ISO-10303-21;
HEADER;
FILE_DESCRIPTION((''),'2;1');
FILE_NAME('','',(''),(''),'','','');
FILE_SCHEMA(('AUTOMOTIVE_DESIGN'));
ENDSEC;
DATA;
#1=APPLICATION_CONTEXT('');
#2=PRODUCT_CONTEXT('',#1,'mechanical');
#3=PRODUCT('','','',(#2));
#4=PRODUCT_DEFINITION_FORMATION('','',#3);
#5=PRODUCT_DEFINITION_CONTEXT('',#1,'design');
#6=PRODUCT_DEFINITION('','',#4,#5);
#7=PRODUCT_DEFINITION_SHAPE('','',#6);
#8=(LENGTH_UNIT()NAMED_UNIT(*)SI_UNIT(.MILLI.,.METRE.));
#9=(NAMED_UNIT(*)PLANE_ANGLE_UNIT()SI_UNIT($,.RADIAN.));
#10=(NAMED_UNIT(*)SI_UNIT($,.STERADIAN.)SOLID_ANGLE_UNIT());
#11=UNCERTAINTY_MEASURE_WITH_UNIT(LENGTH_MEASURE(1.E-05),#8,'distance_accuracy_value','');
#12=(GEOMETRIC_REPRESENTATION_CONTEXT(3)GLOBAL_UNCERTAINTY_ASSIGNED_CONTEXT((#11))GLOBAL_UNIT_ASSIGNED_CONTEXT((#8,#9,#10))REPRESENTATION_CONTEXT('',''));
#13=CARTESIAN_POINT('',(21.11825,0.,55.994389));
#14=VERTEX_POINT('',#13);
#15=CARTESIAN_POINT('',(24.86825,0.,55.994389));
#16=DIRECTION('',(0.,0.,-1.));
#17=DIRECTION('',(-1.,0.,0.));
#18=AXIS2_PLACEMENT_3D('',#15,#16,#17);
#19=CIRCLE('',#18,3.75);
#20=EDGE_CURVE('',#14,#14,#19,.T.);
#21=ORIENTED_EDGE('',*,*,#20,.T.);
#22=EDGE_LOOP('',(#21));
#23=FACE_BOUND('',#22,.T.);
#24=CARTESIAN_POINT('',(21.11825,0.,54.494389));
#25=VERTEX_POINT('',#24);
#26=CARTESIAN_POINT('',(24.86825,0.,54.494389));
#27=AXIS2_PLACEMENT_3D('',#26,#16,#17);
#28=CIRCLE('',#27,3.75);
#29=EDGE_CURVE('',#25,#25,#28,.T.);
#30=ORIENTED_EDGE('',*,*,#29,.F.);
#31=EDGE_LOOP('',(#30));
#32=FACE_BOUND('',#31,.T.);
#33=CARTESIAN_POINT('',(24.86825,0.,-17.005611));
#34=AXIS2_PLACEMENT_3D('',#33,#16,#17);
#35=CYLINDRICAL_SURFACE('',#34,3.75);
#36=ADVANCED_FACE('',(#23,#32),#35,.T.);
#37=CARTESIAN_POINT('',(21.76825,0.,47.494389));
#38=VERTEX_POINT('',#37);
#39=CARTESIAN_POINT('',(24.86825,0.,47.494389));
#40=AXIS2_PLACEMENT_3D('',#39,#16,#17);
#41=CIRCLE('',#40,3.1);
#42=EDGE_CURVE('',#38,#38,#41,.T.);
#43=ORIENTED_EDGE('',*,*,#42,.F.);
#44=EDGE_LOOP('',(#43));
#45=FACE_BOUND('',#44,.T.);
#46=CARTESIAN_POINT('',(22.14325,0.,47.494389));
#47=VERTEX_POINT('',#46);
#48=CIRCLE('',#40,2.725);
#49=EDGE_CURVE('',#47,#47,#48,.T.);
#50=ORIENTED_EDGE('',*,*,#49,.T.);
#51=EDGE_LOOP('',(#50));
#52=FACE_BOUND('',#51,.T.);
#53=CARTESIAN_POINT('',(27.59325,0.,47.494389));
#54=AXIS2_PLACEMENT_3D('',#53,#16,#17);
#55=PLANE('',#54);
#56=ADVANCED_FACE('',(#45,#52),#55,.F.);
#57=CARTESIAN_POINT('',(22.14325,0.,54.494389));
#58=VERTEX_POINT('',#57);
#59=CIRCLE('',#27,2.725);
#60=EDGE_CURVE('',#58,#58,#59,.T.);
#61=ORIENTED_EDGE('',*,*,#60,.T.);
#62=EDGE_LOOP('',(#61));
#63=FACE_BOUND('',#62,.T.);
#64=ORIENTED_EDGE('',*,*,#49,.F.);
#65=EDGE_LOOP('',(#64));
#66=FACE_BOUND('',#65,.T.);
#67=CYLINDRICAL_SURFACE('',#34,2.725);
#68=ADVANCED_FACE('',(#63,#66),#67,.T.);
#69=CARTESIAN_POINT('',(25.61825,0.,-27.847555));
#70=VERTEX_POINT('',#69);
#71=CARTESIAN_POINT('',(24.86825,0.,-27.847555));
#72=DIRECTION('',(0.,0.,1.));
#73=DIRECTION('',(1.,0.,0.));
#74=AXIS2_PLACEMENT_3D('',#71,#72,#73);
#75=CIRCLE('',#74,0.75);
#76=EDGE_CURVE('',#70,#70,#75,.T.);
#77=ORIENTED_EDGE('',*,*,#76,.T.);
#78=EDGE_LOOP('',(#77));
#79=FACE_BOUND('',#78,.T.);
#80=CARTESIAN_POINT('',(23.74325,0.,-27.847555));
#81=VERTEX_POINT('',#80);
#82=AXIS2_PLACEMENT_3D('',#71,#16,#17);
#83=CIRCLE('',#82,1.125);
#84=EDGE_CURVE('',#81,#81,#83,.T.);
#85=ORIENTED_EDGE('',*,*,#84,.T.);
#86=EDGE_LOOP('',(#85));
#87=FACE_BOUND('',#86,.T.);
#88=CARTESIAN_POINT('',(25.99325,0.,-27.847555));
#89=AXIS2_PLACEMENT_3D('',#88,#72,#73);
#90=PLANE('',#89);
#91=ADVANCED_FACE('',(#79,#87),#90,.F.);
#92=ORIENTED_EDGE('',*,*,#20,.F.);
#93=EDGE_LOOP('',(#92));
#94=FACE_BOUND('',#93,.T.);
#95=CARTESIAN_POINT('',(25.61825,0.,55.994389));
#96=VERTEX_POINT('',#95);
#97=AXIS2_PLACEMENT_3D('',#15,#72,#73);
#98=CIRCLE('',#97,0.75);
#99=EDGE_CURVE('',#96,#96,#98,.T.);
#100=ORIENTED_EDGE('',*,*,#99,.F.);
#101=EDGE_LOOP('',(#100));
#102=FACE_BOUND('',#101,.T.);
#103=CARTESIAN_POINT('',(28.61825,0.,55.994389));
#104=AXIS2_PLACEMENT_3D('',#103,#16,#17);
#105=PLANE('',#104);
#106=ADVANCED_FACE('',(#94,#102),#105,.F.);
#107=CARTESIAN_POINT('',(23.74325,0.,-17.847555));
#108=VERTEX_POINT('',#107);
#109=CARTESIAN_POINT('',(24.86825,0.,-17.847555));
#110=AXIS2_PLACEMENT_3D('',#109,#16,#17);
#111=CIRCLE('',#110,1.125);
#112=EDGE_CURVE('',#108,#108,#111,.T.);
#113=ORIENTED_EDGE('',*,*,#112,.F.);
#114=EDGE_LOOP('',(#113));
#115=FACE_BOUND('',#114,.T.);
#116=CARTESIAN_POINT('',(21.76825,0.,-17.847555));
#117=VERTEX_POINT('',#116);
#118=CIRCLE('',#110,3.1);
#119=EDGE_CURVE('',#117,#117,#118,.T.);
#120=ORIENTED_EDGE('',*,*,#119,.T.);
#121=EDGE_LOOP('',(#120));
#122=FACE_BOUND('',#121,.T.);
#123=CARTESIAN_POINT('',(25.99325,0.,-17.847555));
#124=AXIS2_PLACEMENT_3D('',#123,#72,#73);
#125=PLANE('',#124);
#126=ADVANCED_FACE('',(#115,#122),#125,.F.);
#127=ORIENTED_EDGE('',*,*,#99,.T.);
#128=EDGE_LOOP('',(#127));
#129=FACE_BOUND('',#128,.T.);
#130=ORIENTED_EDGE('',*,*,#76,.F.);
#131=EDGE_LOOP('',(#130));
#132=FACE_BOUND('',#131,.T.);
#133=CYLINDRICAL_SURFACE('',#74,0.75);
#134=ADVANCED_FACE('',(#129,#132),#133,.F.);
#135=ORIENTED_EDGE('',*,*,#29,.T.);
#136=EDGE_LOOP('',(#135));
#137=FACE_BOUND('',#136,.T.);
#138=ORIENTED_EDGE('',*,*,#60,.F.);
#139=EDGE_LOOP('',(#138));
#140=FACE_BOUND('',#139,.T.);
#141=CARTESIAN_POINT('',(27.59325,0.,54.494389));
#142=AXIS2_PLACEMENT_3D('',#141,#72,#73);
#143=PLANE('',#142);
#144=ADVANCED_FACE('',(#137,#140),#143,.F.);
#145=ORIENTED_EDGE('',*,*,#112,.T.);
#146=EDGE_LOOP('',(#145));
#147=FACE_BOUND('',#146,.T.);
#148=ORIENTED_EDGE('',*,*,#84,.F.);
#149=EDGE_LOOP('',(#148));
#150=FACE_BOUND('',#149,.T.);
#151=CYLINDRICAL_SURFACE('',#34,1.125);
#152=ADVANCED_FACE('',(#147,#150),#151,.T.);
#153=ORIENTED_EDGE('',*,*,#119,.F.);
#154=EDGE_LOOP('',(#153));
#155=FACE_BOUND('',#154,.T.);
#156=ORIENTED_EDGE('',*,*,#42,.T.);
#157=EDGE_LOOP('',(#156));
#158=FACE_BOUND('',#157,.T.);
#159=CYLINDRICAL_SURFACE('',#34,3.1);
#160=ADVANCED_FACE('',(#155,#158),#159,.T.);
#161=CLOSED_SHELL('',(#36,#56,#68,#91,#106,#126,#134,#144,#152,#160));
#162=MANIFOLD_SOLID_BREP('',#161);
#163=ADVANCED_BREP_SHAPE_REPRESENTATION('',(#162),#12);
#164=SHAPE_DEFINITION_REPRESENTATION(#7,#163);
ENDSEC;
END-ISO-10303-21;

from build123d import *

# Parameters (mm, degrees)
SKETCH3_R          = 0.75
CUT_EXTRUDE6_DEPTH = 84.84194368


with BuildPart() as part:
    # Sketch2 → Revolve4 (revolve)
    with BuildSketch(Plane(origin=(0, 0, 0), x_dir=(1, 0, 0), z_dir=(0, 1, 0))):
        Polygon((24.868249983, 17.00561082), (24.868249983, -55.99438918), (28.618249983, -55.99438918), (28.618249983, -54.49438918), (27.593249983, -54.49438918), (27.593249983, -47.49438918), (27.968249983, -47.49438918), (27.968249983, 17.8475545), (25.993249983, 17.8475545), (25.993249983, 27.8475545), (24.868249983, 27.8475545), align=None)
    revolve(axis=Axis((24.868249983, 0, -17.00561082), (0, 0, 1)))

    # Sketch3 → Cut-Extrude6 (cut, through all)
    with BuildSketch(Plane.XY.offset(55.99438918)):
        with Locations((24.868249983, 0)):
            Circle(SKETCH3_R)
    extrude(amount=-CUT_EXTRUDE6_DEPTH, mode=Mode.SUBTRACT)


solid = part.part
